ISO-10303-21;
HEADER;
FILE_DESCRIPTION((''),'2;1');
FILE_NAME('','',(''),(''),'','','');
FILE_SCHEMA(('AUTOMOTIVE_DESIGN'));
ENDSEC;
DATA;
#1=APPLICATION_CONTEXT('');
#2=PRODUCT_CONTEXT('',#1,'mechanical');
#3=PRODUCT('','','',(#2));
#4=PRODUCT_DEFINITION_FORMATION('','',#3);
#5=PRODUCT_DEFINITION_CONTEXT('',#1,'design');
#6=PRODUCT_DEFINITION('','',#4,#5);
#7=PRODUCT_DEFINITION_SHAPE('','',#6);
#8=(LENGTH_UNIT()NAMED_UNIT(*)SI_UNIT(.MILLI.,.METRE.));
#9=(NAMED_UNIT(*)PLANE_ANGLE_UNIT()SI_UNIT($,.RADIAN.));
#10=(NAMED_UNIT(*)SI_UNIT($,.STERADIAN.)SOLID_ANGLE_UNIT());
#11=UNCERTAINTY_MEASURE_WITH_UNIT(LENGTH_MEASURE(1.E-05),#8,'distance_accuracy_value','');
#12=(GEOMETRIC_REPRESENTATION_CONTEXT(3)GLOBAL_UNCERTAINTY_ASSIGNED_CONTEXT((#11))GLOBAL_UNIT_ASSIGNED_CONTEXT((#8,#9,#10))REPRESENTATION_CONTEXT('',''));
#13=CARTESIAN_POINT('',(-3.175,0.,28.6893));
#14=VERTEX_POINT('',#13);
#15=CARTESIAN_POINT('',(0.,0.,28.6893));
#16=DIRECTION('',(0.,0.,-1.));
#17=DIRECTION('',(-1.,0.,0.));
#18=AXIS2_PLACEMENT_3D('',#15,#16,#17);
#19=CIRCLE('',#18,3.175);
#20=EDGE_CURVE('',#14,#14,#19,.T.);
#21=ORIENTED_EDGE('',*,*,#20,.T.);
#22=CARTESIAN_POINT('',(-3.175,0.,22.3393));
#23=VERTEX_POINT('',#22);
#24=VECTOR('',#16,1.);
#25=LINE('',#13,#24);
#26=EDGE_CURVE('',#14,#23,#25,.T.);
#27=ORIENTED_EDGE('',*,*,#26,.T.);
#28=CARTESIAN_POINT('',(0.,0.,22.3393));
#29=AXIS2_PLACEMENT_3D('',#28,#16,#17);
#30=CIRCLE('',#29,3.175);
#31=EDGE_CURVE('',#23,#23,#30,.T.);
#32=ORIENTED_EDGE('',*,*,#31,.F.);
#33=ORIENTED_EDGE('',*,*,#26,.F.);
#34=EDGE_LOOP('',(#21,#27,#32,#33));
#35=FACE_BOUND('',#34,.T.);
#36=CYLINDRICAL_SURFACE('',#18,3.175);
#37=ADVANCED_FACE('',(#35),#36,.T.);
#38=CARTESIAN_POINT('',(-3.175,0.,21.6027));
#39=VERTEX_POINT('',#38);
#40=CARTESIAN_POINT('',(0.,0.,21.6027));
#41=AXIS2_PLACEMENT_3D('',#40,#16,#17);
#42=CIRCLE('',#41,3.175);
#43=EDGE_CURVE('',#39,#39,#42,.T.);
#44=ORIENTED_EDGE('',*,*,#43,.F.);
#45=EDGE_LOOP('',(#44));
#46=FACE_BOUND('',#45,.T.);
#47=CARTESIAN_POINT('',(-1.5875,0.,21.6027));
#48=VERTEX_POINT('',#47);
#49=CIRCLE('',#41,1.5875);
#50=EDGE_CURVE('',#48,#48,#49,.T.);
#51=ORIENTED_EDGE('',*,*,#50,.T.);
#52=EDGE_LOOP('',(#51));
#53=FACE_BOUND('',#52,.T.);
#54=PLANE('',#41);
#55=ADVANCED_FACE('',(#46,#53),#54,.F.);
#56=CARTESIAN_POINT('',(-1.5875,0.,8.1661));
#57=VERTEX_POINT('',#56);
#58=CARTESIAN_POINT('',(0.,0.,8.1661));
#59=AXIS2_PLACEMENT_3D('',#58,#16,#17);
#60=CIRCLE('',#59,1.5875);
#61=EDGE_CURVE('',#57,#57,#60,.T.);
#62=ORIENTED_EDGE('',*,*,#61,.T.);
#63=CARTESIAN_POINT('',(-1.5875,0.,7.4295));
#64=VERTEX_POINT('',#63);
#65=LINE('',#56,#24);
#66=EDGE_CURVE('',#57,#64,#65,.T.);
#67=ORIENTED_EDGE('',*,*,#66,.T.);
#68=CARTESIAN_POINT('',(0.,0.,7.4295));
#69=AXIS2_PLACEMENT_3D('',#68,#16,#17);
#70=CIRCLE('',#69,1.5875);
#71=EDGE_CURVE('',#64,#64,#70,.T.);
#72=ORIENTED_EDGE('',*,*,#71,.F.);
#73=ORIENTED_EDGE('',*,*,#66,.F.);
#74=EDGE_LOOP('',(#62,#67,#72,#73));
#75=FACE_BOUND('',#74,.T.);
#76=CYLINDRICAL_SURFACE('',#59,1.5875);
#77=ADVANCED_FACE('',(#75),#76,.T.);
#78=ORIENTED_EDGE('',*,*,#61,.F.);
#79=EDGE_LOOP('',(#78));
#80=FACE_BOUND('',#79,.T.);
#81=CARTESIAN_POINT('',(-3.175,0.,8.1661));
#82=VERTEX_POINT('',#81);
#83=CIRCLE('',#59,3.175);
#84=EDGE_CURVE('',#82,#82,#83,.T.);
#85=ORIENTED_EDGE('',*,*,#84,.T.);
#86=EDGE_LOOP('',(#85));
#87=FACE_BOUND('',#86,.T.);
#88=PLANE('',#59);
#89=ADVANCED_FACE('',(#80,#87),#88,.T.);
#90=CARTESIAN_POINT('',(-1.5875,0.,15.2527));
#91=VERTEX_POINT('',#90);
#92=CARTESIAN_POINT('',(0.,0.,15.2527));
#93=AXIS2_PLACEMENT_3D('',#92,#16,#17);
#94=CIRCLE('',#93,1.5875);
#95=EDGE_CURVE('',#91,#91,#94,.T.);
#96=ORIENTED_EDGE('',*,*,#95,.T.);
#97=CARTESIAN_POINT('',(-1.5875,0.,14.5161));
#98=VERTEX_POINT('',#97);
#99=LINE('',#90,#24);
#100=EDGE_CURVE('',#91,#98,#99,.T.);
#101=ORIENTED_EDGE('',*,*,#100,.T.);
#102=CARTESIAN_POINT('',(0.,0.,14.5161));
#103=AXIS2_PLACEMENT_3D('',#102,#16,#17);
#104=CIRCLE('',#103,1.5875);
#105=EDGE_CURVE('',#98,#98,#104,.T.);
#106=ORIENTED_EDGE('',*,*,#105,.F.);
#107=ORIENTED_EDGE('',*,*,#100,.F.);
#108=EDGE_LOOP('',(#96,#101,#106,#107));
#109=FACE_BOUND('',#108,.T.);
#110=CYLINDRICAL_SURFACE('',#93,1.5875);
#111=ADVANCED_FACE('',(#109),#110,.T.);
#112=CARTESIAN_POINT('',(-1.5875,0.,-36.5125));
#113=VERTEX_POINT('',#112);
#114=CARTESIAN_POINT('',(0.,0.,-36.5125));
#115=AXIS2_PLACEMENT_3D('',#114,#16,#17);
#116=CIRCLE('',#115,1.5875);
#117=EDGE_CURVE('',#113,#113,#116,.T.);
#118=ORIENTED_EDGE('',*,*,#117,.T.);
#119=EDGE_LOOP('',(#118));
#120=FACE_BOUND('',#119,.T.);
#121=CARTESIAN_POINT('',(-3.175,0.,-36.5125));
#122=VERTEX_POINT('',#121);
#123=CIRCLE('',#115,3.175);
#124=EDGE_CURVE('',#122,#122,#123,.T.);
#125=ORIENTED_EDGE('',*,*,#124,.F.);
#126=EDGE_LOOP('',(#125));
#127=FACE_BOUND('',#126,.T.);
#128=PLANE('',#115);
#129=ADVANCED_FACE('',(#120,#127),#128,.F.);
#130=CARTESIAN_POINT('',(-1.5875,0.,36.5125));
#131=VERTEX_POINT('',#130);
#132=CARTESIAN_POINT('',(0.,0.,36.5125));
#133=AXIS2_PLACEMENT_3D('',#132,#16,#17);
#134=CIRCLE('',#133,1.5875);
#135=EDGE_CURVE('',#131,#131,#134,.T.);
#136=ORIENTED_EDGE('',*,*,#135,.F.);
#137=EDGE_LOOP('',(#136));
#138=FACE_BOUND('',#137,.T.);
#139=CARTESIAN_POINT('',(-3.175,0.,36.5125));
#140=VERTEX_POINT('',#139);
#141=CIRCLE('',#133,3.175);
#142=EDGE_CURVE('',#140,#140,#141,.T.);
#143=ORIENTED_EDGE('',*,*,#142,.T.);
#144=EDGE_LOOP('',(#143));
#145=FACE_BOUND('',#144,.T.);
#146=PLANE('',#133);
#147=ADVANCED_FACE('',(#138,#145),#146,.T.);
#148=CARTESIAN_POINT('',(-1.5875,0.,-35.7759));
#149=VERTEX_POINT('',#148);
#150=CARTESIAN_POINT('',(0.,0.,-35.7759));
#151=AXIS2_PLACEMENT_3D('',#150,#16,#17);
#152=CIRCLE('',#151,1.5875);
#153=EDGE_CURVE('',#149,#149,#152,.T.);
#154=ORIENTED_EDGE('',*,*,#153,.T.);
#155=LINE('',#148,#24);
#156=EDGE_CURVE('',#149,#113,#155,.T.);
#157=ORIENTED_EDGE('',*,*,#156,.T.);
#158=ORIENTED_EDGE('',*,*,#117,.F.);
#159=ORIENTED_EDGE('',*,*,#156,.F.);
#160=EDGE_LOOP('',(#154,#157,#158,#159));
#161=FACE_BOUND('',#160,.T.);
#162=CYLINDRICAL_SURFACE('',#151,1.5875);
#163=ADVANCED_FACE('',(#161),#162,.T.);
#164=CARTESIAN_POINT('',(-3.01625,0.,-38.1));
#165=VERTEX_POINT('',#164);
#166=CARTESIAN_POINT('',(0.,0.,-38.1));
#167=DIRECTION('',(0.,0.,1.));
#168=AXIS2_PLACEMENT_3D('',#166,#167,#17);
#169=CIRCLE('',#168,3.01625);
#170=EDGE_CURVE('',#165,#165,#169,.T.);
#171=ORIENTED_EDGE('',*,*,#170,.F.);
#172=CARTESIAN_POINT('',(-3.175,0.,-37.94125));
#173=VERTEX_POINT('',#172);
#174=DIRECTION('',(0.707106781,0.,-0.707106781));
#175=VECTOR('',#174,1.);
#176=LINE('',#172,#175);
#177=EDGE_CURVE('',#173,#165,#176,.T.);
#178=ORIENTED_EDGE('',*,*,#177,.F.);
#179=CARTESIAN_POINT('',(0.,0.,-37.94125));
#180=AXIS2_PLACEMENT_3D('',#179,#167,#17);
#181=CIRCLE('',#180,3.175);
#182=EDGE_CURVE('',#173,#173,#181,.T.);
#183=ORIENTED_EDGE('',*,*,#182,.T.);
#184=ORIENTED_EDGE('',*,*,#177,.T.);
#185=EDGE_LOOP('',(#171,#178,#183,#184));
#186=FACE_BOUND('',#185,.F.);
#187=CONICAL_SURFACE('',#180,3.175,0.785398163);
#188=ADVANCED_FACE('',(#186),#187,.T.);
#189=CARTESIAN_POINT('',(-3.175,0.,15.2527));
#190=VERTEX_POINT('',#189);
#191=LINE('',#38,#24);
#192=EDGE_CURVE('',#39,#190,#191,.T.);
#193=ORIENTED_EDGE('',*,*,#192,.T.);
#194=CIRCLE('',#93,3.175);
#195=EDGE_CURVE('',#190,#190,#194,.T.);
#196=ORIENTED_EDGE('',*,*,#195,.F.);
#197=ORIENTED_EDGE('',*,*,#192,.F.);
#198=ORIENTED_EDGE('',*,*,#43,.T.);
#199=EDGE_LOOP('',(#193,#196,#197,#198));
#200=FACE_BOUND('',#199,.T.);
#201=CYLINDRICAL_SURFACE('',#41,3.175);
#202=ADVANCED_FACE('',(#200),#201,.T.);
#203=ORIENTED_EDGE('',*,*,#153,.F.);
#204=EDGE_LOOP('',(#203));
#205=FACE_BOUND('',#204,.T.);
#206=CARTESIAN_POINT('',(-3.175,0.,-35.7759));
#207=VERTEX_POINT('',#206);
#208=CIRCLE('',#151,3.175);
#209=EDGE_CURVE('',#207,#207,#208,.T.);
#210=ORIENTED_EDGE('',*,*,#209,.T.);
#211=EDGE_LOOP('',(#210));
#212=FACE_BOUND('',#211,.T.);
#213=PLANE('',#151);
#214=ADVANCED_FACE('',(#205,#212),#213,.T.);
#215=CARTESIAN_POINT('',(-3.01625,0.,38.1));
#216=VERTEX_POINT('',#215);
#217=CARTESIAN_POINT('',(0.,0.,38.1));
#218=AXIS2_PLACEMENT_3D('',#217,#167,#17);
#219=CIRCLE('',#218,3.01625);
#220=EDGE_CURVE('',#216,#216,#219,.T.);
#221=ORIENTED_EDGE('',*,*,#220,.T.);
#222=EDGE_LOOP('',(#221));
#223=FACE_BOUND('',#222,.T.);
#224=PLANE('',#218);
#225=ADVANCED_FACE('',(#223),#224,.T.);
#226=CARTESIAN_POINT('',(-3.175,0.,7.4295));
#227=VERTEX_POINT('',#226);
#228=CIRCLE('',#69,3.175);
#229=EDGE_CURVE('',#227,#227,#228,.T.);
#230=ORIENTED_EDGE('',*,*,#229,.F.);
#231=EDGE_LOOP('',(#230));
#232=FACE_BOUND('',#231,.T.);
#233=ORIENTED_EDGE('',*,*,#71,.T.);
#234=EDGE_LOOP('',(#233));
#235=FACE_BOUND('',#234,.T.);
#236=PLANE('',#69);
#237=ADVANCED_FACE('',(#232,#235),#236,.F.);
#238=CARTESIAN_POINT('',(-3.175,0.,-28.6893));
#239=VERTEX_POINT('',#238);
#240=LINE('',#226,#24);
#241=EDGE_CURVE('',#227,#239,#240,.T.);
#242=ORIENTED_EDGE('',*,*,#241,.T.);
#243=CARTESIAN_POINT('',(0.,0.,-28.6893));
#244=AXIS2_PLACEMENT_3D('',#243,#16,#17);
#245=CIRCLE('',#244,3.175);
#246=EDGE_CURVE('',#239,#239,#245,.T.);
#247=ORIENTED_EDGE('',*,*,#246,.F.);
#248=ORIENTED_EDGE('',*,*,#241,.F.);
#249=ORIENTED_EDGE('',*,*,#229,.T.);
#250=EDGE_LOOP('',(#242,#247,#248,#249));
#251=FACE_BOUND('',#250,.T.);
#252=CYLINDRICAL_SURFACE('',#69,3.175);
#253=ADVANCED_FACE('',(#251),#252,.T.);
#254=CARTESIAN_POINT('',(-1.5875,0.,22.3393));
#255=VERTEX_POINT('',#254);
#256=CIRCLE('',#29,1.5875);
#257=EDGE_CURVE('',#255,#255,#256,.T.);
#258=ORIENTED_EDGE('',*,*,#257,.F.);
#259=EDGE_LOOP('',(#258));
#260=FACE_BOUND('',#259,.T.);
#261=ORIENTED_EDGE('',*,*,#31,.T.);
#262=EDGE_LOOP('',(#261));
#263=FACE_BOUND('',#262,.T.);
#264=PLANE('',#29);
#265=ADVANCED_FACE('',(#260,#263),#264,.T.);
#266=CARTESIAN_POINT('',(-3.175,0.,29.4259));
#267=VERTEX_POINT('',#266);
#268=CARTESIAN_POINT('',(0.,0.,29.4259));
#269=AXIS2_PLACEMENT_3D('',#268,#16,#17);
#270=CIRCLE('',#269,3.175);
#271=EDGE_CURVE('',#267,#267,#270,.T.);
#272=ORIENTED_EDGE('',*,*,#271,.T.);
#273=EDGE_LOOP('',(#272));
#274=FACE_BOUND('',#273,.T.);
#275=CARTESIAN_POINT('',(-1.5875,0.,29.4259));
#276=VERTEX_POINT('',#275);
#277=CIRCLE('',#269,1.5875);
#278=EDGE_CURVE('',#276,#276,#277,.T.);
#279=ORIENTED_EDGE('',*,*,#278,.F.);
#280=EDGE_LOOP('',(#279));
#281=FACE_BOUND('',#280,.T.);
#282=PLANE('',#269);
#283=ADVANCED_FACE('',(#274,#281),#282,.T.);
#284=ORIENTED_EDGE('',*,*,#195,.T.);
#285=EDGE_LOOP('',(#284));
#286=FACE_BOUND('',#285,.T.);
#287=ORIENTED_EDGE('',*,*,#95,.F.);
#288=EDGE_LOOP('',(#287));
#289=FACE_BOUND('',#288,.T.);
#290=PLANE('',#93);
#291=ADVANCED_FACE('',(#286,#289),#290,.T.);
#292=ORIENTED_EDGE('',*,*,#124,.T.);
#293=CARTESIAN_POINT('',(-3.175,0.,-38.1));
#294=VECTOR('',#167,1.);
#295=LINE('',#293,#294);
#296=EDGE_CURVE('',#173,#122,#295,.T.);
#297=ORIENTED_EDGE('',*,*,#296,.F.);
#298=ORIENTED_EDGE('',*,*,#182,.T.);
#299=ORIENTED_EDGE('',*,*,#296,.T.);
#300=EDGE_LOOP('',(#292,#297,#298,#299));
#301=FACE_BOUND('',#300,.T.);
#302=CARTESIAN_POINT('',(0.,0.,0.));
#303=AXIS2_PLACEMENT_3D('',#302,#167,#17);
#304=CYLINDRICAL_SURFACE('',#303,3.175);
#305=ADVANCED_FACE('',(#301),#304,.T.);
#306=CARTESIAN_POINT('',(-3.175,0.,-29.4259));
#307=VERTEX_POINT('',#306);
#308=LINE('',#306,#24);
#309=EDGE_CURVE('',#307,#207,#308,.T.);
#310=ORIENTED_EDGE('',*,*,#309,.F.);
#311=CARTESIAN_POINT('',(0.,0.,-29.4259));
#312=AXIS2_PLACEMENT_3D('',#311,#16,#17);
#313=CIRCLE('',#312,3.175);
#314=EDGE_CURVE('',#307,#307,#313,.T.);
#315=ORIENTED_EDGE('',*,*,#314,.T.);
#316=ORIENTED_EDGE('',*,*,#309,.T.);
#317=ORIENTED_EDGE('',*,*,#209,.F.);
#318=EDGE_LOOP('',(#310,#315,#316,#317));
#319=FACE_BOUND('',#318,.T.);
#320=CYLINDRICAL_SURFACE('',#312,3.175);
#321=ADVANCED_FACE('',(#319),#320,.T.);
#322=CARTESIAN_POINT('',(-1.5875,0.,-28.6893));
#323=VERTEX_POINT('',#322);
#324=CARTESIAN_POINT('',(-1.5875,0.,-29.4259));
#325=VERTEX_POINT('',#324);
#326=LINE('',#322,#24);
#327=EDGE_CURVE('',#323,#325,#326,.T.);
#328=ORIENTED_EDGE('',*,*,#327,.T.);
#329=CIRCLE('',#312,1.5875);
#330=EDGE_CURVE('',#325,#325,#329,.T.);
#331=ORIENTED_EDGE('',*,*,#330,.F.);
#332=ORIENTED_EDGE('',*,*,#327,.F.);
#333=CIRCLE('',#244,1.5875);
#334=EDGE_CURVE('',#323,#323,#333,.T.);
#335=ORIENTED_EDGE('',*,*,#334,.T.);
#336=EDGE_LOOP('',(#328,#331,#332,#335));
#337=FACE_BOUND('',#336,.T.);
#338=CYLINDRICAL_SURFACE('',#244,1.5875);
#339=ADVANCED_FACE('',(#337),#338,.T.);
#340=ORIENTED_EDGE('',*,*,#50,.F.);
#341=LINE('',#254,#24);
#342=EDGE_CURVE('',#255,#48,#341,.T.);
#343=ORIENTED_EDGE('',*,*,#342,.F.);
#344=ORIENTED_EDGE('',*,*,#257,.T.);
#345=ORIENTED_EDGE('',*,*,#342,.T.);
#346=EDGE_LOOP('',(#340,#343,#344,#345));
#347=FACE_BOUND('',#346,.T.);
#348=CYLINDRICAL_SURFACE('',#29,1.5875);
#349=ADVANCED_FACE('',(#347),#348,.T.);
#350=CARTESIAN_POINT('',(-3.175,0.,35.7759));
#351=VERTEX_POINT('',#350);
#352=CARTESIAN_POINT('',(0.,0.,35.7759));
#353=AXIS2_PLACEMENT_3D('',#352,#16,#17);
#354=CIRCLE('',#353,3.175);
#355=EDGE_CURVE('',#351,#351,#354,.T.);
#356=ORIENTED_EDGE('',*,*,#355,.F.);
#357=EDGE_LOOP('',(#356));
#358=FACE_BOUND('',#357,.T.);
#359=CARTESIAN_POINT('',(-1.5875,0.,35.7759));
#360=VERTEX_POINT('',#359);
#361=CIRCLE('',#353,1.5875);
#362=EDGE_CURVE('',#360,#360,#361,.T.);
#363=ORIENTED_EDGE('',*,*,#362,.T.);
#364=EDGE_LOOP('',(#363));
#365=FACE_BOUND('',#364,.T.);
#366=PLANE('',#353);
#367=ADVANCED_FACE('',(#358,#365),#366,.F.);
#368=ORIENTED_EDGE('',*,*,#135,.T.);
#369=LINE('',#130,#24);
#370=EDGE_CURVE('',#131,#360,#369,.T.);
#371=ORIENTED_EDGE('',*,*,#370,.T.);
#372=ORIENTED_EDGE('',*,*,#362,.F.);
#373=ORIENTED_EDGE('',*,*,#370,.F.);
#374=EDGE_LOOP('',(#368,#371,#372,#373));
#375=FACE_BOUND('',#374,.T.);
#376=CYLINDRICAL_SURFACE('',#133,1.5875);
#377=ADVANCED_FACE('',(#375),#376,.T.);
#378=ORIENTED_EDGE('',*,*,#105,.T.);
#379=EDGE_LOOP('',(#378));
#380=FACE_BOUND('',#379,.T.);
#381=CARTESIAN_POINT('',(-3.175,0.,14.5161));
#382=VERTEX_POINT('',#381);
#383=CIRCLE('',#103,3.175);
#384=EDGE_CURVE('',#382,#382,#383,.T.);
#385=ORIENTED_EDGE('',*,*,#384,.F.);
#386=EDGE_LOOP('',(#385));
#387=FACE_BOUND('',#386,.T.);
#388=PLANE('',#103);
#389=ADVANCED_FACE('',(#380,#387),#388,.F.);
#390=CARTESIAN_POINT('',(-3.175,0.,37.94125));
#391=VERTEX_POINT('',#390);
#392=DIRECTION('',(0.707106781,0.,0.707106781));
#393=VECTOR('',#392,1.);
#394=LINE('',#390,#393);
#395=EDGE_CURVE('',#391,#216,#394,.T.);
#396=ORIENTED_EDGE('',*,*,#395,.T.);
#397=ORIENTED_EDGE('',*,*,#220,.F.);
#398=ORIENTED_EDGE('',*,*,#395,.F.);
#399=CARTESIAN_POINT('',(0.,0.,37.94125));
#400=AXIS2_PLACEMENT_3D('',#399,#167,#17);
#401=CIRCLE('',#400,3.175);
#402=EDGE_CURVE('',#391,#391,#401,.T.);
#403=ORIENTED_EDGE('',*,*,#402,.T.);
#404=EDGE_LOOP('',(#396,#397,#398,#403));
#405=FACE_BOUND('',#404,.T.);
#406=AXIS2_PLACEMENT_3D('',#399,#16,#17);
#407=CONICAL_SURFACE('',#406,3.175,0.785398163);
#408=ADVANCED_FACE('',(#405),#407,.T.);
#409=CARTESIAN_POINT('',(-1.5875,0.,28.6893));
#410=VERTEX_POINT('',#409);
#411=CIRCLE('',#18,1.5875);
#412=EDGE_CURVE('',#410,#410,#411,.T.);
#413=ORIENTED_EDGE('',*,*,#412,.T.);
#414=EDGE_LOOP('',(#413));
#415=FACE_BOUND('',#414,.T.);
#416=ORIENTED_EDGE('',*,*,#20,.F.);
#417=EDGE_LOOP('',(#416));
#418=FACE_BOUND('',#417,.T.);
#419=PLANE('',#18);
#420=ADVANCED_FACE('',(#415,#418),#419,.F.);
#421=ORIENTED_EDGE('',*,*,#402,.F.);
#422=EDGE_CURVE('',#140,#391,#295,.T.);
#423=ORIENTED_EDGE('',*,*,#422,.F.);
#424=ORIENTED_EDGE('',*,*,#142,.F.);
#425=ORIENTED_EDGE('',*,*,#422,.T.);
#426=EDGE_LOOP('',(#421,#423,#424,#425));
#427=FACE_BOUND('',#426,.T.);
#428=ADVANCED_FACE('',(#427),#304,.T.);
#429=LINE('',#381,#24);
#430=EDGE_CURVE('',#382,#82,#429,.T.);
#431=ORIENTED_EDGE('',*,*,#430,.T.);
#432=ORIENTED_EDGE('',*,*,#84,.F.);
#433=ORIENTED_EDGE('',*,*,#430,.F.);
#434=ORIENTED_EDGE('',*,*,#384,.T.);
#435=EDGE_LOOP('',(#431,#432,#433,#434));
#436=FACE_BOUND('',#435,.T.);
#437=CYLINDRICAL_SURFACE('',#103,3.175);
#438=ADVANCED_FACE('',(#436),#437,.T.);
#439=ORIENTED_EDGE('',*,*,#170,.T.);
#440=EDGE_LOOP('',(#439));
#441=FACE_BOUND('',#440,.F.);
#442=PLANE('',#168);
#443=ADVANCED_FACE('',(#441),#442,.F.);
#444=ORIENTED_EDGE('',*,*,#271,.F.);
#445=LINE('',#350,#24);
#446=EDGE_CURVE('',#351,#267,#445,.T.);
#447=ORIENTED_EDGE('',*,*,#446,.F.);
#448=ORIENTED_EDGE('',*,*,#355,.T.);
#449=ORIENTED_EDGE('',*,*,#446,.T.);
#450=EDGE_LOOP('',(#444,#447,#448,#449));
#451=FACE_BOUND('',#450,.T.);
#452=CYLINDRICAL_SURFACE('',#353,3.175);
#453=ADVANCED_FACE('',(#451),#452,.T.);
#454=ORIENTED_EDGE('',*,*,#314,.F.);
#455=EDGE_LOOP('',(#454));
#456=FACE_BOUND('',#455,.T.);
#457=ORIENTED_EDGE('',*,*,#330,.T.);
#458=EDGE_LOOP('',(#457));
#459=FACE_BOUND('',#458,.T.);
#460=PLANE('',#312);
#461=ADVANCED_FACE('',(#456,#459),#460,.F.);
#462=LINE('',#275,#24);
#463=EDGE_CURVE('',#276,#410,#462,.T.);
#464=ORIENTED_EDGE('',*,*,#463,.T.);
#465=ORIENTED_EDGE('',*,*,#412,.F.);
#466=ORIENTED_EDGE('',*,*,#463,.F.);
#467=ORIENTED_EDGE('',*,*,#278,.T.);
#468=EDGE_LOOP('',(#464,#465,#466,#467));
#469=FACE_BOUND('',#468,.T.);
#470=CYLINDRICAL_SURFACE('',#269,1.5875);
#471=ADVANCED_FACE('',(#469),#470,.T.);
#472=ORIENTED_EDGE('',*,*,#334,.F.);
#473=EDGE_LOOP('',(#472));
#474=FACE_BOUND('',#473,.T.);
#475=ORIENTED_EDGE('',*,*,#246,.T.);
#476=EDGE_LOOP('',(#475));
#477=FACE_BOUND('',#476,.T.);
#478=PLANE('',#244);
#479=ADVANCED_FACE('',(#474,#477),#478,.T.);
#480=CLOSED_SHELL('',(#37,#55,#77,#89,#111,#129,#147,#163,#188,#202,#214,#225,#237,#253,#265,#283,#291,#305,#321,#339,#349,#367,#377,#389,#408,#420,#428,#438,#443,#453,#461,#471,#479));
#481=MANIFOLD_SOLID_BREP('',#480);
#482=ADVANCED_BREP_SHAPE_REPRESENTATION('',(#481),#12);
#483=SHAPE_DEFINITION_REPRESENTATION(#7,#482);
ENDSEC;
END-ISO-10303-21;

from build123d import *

# Parameters (mm, degrees)
SKETCH1_R      = 3.175
EXTRUDE1_DEPTH = 38.1
CHAMFER1_SIZE  = 0.15875


with BuildPart() as part:
    # Sketch1 → Extrude1 (new, symmetric)
    with BuildSketch(Plane.XY):
        with Locations(Location((0, 0, 0), (0, 0, 180))):
            Circle(SKETCH1_R)
    extrude(amount=EXTRUDE1_DEPTH, both=True)

    # Sketch6 → Cut-Revolve2 (revolve, cut)
    with BuildSketch(Plane(origin=(0, 0, 0), x_dir=(0, 0, -1), z_dir=(1, 0, 0)), mode=Mode.PRIVATE) as cut_revolve2_sk:
        Polygon((-36.5125, 3.175), (-36.5125, 1.5875), (-35.7759, 1.5875), (-35.7759, 3.175), (-29.4259, 3.175), (-29.4259, 1.5875), (-28.6893, 1.5875), (-28.6893, 3.175), (-22.3393, 3.175), (-22.3393, 1.5875), (-21.6027, 1.5875), (-21.6027, 3.175), (-15.2527, 3.175), (-15.2527, 1.5875), (-14.5161, 1.5875), (-14.5161, 3.175), (-8.1661, 3.175), (-8.1661, 1.5875), (-7.4295, 1.5875), (-7.4295, 3.175), (28.6893, 3.175), (28.6893, 1.5875), (29.4259, 1.5875), (29.4259, 3.175), (35.7759, 3.175), (35.7759, 1.5875), (36.5125, 1.5875), (36.5125, 3.175), (38.1, 3.175), (38.1, 5.715), (-38.1, 5.715), (-38.1, 3.175), align=None)
    revolve(cut_revolve2_sk.sketch.rotate(Axis((0, 0, 38.1), (0, 0, -1)), 270), axis=Axis((0, 0, 38.1), (0, 0, -1)), mode=Mode.SUBTRACT)

    # Chamfer1
    chamfer1_edges = [part.edges().sort_by_distance(p)[0] for p in [
        (3.175, 0, -38.1),
        (3.175, 0, 38.1),
    ]]
    chamfer(chamfer1_edges, length=CHAMFER1_SIZE)


solid = part.part
